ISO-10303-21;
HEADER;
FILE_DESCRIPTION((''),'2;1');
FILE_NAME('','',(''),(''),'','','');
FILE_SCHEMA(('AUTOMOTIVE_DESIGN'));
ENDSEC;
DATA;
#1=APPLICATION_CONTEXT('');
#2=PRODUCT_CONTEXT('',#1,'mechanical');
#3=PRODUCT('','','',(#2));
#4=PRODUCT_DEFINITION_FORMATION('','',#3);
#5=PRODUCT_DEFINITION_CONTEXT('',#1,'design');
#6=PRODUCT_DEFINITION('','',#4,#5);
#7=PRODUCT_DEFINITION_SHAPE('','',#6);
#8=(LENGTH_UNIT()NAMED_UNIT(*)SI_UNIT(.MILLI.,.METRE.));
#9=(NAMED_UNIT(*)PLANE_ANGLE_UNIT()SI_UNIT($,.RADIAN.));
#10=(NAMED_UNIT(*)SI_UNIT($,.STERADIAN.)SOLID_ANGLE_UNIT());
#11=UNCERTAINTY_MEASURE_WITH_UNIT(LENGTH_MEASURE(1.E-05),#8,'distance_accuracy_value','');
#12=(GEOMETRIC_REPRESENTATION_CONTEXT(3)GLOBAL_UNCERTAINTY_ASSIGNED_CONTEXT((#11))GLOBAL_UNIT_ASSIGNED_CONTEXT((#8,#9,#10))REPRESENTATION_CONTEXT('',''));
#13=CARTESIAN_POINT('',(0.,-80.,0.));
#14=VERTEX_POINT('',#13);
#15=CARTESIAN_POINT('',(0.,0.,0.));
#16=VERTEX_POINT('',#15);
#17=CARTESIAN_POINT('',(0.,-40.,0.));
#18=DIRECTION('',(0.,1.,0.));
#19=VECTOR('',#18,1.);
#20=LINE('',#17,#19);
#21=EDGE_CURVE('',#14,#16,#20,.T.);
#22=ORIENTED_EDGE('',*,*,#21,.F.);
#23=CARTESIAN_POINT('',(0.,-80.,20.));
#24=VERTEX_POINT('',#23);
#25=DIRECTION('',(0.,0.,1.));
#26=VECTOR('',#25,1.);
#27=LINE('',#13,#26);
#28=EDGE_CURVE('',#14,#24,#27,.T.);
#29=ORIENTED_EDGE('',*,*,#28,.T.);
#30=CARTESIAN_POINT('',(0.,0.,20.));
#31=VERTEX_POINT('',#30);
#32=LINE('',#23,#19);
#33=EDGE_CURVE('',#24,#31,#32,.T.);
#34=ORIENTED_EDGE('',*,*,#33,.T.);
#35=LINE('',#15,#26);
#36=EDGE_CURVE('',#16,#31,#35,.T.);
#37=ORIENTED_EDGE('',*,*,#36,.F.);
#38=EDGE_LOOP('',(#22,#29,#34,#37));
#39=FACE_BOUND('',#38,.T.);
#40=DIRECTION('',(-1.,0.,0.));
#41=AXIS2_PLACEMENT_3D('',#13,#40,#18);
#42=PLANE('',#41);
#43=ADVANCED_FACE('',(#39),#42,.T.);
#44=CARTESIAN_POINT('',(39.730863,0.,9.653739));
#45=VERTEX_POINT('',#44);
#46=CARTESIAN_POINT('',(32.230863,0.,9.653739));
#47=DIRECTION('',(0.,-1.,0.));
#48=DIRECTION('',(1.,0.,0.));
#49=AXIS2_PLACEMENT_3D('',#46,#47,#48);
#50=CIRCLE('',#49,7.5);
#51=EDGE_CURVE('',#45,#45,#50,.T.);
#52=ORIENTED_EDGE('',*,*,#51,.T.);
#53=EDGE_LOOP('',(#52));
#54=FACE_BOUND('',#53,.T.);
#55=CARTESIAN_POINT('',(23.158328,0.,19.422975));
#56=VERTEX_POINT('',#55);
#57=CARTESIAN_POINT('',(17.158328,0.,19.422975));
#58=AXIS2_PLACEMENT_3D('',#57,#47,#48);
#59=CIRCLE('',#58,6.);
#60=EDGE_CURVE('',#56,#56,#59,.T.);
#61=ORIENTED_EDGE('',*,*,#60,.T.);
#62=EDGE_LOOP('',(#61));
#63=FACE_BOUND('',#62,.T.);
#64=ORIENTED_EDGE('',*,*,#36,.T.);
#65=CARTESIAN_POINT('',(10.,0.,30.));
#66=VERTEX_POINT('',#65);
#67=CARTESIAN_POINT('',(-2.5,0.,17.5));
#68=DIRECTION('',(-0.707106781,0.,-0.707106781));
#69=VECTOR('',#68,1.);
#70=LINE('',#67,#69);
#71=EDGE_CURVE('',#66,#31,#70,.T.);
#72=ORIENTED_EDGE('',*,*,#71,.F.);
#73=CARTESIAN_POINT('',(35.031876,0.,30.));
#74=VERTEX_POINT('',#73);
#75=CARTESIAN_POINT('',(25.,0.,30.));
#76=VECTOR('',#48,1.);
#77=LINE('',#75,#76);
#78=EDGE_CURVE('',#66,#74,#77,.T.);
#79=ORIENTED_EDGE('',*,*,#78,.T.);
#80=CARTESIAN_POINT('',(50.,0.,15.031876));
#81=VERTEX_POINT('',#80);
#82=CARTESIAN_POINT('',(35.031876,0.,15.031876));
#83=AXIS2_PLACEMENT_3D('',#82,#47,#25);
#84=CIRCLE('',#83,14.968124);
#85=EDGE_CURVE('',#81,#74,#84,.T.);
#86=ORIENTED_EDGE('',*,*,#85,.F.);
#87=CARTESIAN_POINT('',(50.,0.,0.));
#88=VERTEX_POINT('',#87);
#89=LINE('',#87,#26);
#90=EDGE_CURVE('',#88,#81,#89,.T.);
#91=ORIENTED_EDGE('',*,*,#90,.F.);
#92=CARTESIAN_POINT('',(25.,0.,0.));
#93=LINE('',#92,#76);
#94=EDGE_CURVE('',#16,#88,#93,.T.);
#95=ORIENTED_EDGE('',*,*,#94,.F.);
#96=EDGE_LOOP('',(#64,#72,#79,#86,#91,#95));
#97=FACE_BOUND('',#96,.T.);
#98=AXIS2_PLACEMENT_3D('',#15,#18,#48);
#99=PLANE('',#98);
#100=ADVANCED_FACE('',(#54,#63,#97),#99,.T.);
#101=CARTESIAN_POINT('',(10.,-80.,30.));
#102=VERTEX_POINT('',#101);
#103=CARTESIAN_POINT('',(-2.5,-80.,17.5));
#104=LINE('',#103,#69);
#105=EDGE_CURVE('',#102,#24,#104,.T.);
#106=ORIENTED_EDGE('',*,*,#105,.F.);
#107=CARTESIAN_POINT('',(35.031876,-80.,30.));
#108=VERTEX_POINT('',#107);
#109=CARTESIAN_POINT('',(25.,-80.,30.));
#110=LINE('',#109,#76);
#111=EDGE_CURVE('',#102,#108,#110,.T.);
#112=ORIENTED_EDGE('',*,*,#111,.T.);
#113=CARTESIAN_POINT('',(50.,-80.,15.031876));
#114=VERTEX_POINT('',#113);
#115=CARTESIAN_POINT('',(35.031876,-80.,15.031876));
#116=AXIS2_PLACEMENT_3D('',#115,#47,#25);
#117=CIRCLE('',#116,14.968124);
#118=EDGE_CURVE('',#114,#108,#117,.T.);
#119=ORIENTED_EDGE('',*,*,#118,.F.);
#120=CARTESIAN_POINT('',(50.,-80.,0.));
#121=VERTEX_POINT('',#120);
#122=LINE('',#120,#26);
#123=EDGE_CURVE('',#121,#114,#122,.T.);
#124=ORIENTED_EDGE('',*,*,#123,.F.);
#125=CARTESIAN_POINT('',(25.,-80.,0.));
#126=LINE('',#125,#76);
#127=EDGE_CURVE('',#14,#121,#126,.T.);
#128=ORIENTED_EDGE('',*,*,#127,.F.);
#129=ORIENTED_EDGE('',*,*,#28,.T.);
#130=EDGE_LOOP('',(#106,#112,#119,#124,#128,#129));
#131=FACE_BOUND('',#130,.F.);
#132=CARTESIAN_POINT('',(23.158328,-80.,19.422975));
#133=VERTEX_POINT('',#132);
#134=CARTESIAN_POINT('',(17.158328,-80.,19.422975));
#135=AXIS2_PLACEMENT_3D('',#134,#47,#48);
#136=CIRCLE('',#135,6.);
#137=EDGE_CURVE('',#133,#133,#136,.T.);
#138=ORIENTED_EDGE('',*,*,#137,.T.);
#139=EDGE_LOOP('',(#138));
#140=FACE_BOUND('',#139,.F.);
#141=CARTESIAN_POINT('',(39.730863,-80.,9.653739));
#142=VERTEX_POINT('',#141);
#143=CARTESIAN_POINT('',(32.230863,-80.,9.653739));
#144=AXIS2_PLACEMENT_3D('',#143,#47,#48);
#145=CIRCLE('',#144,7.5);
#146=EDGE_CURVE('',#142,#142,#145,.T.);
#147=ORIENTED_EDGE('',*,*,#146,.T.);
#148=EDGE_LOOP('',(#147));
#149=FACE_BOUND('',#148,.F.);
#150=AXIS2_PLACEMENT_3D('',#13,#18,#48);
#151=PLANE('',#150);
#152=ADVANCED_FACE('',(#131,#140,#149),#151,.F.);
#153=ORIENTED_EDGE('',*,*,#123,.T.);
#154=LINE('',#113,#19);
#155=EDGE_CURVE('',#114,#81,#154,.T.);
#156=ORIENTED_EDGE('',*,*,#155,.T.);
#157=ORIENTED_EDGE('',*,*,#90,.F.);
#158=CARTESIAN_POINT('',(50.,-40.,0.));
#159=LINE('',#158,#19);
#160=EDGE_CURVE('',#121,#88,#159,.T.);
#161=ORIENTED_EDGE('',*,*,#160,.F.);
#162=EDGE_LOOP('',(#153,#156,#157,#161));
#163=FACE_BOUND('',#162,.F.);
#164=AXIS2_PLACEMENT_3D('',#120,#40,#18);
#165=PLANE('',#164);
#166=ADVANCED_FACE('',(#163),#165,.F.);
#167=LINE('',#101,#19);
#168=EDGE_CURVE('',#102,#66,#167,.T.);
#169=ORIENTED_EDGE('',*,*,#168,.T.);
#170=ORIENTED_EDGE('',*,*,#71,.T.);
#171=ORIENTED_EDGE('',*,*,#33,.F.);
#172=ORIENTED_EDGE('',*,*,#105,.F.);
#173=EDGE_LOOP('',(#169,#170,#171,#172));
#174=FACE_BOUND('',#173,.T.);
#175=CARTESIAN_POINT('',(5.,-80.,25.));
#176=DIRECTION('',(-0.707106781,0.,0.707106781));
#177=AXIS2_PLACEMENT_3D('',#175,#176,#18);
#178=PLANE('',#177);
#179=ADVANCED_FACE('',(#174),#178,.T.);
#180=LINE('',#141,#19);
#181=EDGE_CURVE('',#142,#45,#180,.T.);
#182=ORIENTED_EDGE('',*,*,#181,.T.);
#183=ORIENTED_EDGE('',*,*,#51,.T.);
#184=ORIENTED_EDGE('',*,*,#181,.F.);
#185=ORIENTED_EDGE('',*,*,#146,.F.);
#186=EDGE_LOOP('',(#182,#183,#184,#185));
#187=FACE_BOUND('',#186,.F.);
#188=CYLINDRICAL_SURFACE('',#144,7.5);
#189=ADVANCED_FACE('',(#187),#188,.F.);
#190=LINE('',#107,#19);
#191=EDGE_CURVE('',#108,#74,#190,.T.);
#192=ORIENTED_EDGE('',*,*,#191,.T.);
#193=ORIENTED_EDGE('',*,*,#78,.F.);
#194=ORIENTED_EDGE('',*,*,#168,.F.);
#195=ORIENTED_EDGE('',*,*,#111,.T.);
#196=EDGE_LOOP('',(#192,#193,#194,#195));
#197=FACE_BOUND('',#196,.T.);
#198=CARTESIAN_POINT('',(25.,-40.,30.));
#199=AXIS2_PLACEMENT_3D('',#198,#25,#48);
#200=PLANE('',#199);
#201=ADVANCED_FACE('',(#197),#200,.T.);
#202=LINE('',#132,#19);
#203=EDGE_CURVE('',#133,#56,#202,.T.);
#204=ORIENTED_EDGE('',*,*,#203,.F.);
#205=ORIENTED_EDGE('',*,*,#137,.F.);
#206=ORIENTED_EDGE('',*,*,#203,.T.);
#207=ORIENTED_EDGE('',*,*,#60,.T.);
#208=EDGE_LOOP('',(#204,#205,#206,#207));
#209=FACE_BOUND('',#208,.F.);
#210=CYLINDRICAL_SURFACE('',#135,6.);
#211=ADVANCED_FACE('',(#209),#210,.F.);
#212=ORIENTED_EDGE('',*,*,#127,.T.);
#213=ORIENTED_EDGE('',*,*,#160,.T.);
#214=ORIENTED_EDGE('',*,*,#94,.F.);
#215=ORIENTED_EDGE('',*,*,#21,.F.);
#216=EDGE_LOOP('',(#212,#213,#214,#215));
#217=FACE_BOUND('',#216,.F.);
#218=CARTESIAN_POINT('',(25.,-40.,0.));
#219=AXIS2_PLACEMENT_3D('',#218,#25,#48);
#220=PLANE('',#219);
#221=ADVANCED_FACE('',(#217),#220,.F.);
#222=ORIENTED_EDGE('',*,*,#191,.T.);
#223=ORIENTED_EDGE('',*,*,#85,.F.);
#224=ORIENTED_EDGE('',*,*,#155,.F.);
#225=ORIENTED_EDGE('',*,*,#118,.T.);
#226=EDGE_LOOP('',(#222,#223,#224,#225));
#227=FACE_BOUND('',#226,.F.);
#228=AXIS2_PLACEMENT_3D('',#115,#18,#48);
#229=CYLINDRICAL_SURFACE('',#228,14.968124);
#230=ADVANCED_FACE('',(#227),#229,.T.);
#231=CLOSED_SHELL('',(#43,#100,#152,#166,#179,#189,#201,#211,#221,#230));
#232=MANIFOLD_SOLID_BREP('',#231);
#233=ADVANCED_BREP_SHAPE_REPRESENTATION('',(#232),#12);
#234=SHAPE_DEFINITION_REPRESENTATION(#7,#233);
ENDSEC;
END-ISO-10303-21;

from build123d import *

# Parameters (mm, degrees)
F0_W     = 50
F0_H     = 80
F1_DEPTH = 30
F2_R     = 14.968124
F3_SIZE  = 10
F4_R     = 6
F4_R_2   = 7.5
F5_DEPTH = 80.8


with BuildPart() as f1:
    # F0 (on Top) → F1 (new body)
    with BuildSketch(Plane.XY):
        with Locations((25, -40)):
            Rectangle(F0_W, F0_H)
    extrude(amount=F1_DEPTH)

    # F2
    f2_edges = [f1.edges().sort_by_distance(p)[0] for p in [
        (50, -40, 30),
    ]]
    fillet(f2_edges, radius=F2_R)

    # F3
    f3_edges = [f1.edges().sort_by_distance(p)[0] for p in [
        (0, -40, 30),
    ]]
    chamfer(f3_edges, length=F3_SIZE)

    # F4 (on face) → F5 (cut)
    with BuildSketch(Plane.XZ.offset(80)):
        with Locations((17.158328, 19.422975)):
            Circle(F4_R)
        with Locations((32.230863, 9.653739)):
            Circle(F4_R_2)
    extrude(amount=-F5_DEPTH, mode=Mode.SUBTRACT)


solid = f1.part
